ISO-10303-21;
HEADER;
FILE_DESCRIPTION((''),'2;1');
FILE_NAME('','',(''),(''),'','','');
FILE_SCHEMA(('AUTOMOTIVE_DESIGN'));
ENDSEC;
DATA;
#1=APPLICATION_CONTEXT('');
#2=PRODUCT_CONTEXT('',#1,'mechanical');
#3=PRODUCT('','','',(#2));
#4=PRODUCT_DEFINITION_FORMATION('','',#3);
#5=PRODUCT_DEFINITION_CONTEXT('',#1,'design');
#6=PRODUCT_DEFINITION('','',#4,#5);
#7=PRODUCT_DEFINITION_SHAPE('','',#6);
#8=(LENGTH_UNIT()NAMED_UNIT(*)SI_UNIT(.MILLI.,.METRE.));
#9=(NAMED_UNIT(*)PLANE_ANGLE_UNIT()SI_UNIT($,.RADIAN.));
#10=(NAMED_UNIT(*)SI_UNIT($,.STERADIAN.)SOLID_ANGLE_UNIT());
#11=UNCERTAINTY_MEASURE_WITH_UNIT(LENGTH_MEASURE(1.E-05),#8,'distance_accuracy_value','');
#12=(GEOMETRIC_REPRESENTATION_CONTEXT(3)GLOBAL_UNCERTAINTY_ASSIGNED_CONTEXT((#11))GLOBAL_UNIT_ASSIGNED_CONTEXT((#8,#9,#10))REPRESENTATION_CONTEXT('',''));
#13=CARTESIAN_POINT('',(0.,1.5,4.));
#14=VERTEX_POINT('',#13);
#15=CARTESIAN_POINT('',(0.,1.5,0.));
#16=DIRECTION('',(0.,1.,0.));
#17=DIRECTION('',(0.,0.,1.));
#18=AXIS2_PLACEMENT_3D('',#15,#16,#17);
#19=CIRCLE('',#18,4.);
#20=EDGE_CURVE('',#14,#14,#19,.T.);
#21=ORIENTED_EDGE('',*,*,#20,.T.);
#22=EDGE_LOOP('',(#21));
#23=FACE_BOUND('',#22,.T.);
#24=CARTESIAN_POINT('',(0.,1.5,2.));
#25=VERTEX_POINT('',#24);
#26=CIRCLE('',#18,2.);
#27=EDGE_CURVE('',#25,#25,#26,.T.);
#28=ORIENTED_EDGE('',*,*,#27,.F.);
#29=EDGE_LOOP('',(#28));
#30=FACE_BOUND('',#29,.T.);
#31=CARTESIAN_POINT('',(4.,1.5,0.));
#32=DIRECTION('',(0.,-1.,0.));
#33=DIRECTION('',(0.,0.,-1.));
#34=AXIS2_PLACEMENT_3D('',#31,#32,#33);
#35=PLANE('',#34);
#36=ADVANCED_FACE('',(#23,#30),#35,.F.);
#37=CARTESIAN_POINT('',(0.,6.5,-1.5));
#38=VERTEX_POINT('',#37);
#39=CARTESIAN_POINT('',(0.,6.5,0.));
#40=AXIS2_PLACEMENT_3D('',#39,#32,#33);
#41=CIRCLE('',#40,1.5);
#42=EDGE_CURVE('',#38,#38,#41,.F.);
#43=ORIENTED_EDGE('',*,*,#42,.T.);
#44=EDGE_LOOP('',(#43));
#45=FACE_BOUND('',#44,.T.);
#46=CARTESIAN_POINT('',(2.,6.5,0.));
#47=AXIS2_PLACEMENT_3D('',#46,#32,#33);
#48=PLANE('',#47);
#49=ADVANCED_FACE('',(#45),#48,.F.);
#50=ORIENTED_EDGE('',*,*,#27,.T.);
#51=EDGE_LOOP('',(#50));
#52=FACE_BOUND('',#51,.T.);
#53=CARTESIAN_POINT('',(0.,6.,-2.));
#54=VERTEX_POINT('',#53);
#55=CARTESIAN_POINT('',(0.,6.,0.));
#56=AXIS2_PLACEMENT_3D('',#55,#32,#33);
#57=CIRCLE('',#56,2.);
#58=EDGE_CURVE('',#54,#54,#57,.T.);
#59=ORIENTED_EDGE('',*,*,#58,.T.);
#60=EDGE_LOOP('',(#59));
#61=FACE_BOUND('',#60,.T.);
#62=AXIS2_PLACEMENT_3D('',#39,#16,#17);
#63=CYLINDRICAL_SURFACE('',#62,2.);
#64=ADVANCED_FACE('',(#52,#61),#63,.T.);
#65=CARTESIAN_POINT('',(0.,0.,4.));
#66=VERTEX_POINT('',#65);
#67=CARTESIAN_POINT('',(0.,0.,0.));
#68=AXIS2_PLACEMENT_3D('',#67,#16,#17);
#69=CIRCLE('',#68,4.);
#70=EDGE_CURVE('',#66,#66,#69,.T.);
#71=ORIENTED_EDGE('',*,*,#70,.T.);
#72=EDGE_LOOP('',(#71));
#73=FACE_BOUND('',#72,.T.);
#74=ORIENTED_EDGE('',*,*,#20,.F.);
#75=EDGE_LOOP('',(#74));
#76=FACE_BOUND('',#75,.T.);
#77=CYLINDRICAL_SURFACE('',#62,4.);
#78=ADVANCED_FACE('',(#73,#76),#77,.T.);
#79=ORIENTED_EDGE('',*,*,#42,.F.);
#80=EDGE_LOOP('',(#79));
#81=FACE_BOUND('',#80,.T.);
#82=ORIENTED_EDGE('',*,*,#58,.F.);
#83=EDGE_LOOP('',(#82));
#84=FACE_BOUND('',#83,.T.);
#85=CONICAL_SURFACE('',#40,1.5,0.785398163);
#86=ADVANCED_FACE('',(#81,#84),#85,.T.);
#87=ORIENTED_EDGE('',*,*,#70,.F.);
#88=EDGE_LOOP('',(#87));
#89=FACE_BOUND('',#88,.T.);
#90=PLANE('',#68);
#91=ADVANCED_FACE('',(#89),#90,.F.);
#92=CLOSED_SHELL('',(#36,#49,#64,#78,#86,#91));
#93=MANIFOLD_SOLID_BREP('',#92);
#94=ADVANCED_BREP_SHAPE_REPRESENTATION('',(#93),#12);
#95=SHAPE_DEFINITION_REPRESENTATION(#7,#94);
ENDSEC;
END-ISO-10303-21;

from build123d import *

# Parameters (mm, degrees)
CHAMFER_1_SIZE = 0.5


with BuildPart() as part:
    # 草图2 → 旋转1 (revolve)
    with BuildSketch(Plane.XY, mode=Mode.PRIVATE) as revolve_1_sk:
        Polygon((0, 0), (4, 0), (4, 1.5), (2, 1.5), (2, 6.5), (0, 6.5), align=None)
    revolve(revolve_1_sk.sketch.rotate(Axis((0, 6.5, 0), (0, -1, 0)), 90), axis=Axis((0, 6.5, 0), (0, -1, 0)))

    # 倒角1
    chamfer_1_edges = [part.edges().sort_by_distance(p)[0] for p in [
        (0, 6.5, -2),
    ]]
    chamfer(chamfer_1_edges, length=CHAMFER_1_SIZE)


solid = part.part
